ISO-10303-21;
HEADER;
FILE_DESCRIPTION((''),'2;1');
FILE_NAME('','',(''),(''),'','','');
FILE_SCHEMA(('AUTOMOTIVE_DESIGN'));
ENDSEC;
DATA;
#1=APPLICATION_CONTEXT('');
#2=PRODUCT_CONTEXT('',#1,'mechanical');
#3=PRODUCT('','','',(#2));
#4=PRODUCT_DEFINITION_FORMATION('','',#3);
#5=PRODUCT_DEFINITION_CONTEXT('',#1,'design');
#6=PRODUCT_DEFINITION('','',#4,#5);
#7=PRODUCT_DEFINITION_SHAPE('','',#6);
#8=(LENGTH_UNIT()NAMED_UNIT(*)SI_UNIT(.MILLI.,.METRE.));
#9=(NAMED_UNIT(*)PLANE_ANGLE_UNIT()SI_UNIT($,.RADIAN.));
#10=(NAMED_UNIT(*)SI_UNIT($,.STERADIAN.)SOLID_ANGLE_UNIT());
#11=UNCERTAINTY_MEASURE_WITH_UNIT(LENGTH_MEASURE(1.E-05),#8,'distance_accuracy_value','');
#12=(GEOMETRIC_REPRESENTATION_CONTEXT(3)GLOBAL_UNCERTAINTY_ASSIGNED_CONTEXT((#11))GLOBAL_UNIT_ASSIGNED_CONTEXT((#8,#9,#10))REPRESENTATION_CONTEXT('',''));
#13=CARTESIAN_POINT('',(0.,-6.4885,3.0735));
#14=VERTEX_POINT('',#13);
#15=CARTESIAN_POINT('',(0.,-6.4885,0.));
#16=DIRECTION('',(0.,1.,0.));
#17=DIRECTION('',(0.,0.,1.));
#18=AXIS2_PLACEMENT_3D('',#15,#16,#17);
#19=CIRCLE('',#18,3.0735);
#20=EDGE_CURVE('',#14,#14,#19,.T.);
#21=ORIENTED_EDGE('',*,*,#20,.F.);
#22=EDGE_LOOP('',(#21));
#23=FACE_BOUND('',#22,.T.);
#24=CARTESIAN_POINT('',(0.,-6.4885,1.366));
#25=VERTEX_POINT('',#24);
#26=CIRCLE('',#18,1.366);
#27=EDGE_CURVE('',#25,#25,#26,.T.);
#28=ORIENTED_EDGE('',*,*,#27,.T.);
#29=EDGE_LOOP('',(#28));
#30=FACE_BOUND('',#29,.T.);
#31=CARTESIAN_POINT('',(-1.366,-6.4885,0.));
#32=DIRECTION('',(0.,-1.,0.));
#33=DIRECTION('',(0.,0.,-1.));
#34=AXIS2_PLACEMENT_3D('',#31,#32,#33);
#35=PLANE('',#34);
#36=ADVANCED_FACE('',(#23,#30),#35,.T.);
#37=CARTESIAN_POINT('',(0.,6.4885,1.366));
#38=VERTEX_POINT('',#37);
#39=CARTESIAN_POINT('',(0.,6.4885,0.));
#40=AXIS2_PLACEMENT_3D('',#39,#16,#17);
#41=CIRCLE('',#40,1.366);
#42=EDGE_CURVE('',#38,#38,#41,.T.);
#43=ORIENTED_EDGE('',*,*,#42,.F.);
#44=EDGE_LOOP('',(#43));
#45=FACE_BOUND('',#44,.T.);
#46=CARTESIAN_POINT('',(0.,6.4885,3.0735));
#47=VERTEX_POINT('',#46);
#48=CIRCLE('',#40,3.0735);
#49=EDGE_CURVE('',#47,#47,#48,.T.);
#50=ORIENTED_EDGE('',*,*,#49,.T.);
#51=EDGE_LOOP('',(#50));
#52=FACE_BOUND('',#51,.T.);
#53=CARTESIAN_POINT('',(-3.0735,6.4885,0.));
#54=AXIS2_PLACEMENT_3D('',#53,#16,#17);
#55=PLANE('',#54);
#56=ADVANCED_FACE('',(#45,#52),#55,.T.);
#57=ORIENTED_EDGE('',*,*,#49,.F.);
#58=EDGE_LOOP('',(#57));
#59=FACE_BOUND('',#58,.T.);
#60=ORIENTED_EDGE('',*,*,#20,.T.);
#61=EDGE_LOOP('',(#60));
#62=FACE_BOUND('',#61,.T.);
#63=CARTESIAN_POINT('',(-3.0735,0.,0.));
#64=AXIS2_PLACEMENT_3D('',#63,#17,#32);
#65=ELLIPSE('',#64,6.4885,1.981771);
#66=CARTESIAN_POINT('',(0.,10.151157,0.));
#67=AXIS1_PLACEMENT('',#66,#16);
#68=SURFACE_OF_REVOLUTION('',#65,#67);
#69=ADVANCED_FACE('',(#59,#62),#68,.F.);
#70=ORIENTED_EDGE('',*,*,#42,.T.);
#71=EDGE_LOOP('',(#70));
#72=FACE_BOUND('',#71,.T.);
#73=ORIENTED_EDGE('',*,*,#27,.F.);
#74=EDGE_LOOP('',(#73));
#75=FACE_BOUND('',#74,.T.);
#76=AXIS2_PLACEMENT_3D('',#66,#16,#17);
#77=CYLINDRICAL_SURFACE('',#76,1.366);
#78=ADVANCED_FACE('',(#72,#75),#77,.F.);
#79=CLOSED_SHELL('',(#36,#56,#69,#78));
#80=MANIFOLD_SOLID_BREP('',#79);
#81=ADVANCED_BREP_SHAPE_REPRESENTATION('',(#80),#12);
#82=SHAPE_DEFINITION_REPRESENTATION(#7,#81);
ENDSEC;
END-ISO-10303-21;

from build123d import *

# Parameters (mm, degrees)
SCALE_1_SCALE = 0.683


with BuildPart() as part:
    # 草图1 → 旋转2 (revolve)
    with BuildSketch(Plane.XY, mode=Mode.PRIVATE) as revolve_2_sk:
        with BuildLine():
            Line((-2, 9.5), (-2, -9.5))
            Line((-2, -9.5), (-4.499999838, -9.5))
            add(Edge.make_bspline(
                [(-4.499999838, 9.5), (-7.401567546, 9.500000347), (-7.401567546, 0), (-7.401567546, -9.500000347), (-4.499999838, -9.5)],
                knots=[3.141592617, 3.141592617, 3.141592617, 4.71238898, 4.71238898, 6.283185344, 6.283185344, 6.283185344], degree=2, weights=[1, 0.707106768, 1, 0.707106768, 1]))
            Line((-4.499999838, 9.5), (-2, 9.5))
        make_face()
    revolve(revolve_2_sk.sketch.rotate(Axis((0, 14.862602448, 0), (0, -1, 0)), 270), axis=Axis((0, 14.862602448, 0), (0, -1, 0)))


with BuildPart() as part_1:
    # 缩放比例1: scaled about (0, 0, -0.000363003)
    add(part.part.scale(SCALE_1_SCALE).moved(Location((0, 0, -0.000115072))))


solid = part_1.part
